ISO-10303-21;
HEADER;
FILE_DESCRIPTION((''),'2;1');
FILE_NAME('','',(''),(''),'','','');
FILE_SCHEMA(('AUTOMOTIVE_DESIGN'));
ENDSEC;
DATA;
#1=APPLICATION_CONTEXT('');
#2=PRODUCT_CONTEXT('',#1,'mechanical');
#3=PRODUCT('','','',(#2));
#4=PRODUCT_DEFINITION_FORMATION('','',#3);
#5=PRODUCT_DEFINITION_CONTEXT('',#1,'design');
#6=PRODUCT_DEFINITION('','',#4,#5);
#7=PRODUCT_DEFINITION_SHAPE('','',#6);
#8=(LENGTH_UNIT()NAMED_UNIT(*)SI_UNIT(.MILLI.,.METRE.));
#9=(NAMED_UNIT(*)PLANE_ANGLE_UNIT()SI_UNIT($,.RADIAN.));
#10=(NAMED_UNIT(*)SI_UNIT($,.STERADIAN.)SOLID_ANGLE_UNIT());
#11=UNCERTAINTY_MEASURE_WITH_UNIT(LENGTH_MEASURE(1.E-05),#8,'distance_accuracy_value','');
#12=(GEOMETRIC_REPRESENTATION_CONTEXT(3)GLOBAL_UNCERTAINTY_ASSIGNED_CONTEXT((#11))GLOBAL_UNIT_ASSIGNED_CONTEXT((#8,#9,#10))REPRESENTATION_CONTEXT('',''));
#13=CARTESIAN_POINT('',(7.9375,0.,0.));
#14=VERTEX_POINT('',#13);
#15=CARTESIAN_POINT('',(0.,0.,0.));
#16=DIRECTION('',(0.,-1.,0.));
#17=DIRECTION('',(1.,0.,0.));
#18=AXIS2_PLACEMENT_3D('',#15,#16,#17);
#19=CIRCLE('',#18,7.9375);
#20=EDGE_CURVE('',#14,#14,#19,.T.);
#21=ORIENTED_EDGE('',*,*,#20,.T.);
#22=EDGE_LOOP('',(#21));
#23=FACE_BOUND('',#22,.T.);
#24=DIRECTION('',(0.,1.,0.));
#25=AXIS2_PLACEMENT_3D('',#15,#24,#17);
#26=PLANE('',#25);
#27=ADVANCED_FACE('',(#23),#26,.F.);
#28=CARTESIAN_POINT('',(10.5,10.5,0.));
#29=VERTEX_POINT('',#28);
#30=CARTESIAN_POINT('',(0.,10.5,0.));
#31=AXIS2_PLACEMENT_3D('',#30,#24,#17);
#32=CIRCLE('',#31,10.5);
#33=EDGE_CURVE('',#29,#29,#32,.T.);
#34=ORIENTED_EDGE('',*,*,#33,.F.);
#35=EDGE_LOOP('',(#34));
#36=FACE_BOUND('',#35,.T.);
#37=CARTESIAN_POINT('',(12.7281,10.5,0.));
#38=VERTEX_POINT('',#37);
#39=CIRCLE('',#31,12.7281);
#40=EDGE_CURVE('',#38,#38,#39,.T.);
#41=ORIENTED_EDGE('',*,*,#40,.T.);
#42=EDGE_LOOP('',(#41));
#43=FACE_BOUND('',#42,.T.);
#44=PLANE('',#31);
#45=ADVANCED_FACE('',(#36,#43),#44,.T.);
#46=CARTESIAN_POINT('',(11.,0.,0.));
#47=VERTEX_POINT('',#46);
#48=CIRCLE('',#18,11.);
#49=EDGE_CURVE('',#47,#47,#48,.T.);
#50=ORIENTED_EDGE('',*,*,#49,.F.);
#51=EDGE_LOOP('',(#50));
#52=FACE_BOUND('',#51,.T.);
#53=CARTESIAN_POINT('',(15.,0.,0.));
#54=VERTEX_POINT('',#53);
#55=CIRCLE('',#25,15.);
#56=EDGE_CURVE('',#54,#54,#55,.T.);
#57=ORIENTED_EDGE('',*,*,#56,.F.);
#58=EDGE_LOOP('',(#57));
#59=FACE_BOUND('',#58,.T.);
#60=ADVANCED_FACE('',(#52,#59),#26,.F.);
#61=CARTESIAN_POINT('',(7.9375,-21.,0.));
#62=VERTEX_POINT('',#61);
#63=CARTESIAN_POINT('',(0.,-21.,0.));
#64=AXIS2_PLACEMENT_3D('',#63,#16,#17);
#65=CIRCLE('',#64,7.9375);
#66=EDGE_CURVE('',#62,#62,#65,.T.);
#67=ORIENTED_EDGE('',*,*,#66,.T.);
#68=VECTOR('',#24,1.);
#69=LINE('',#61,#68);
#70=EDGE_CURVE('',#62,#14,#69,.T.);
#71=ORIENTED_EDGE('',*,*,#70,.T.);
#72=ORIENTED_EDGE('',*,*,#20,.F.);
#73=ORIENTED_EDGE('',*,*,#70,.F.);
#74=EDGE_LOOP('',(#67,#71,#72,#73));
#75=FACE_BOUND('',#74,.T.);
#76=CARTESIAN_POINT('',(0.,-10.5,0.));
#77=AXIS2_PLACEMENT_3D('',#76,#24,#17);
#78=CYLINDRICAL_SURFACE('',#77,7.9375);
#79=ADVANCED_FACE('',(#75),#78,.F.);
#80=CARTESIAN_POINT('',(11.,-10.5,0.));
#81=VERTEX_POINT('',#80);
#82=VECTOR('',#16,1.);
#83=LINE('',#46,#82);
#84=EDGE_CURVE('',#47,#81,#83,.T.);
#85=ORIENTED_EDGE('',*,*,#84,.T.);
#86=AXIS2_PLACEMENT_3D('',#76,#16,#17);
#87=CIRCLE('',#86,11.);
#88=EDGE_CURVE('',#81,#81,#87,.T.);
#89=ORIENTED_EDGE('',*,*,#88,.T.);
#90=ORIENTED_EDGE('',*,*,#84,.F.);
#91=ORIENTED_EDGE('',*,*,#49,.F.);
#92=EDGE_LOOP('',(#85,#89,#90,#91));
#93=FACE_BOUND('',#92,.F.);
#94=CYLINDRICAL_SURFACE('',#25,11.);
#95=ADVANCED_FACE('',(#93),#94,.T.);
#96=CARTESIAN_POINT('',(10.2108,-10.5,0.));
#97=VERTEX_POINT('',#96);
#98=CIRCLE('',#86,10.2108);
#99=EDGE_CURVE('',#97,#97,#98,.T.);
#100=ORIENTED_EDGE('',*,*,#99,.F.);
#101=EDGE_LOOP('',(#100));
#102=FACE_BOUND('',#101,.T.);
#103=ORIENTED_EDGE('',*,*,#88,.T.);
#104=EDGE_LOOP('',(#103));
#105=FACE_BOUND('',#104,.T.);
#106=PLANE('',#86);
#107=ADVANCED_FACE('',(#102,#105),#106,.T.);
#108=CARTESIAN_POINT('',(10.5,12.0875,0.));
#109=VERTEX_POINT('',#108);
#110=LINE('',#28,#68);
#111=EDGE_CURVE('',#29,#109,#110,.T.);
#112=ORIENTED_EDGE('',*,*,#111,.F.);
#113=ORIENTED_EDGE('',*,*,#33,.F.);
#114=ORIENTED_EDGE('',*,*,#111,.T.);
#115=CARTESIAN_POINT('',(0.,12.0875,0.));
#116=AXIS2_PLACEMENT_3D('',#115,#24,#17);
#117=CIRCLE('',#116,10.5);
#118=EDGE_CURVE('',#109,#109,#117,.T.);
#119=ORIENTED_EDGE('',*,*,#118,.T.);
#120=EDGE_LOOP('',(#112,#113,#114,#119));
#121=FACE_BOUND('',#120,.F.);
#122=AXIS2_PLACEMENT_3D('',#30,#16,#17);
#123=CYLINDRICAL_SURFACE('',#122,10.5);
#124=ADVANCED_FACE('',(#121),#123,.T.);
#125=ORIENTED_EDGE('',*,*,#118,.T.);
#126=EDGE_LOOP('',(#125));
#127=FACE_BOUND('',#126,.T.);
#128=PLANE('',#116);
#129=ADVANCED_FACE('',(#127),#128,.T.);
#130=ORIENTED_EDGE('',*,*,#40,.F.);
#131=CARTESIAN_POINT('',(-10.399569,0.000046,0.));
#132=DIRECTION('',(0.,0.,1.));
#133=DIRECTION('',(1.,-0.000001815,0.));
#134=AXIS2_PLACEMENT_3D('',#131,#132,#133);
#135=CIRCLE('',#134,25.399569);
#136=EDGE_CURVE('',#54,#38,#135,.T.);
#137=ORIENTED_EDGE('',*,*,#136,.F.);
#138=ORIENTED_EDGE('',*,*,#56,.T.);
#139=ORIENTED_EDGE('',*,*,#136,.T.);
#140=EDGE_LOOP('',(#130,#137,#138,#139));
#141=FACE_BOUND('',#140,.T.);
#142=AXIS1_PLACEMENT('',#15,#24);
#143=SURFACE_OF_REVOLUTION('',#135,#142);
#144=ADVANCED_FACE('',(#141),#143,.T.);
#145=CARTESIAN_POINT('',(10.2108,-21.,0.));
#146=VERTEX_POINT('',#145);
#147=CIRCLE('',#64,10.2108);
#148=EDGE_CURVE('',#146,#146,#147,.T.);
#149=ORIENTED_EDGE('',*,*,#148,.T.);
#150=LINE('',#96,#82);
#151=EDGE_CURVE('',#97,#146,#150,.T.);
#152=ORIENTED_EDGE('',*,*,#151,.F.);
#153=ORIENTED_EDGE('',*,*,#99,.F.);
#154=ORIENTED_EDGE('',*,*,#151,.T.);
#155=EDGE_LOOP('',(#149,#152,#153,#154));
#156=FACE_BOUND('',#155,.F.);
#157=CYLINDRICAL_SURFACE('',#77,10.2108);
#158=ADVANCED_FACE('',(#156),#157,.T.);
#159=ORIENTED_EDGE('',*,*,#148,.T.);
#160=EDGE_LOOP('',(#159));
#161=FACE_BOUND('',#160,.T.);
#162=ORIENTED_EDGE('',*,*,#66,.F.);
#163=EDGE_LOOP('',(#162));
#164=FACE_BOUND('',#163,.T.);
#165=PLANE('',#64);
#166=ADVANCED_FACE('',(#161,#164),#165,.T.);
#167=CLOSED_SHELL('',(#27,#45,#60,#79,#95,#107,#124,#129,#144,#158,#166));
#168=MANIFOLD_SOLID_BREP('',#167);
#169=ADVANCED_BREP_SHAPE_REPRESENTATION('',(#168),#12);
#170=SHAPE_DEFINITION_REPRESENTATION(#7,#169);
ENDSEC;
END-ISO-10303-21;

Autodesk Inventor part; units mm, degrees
ref_plane "YZ Plane" through (0, 0, 0) normal (1, 0, 0) x (0, 1, 0)
ref_plane "XZ Plane" through (0, 0, 0) normal (0, 1, 0) x (-1, 0, 0)
ref_plane "XY Plane" through (0, 0, 0) normal (0, 0, 1) x (1, 0, 0)
sketch "Sketch9" plane through (0, 0, 0) normal (0, 0, 1) x (1, 0, 0)
  line L0 (0, 0) -> (0, 10.5)
  line L1 (0, 0) -> (15, 0)
  arc A0 (15, 0) -> (12.7281, 10.5) centre (-10.4, 0) ccw
  line L2 (12.7281, 10.5) -> (0, 10.5)
  dimension "d35" = 30
  dimension "d37" = 25.4
  dimension "d43" = 10.5
revolve "Revolution1" add sketch "Sketch9" angle 360 about axis through (0, 0, 0) along (0, 1, 0)
sketch "Sketch10" plane through (0, 10.5, 0) normal (0, 1, 0) x (1, 0, 0)
  circle A0 centre (0, 0) radius 12.7281 projected
  circle A1 centre (0, 0) radius 10.5
  dimension "d39" = 21
extrude "Extrusion6" add sketch "Sketch10" along normal blind 1.5875 contours A1
sketch "Sketch11" plane through (0, 0, 0) normal (0, -1, 0) x (1, 0, 0)
  circle A0 centre (0, 0) radius 15 projected
  circle A1 centre (0, 0) radius 11
  circle A2 centre (0, 0) radius 7.9375
  dimension "d42" = 22
  dimension "d44" = 15.875
extrude "Extrusion7" add sketch "Sketch11" along normal blind 10.5 contours A1
sketch "Sketch12" plane through (0, -10.5, 0) normal (0, -1, 0) x (1, 0, 0)
  circle A0 centre (0, 0) radius 7.9375 projected
  circle A1 centre (0, 0) radius 11 projected
  circle A2 centre (0, 0) radius 10.2108
  dimension "d47" = 20.4216
extrude "Extrusion8" add sketch "Sketch12" along normal blind 10.5 contours A2
sketch "Sketch13" plane through (0, -21, 0) normal (0, -1, 0) x (1, 0, 0)
  circle A0 centre (0, 0) radius 5.08
  point P0 (-5.08, 0)
  point P1 (5.08, 0)
  dimension "d52" = 10.16
properties part number "800MR-D9D1" material "Delrin, Black"
